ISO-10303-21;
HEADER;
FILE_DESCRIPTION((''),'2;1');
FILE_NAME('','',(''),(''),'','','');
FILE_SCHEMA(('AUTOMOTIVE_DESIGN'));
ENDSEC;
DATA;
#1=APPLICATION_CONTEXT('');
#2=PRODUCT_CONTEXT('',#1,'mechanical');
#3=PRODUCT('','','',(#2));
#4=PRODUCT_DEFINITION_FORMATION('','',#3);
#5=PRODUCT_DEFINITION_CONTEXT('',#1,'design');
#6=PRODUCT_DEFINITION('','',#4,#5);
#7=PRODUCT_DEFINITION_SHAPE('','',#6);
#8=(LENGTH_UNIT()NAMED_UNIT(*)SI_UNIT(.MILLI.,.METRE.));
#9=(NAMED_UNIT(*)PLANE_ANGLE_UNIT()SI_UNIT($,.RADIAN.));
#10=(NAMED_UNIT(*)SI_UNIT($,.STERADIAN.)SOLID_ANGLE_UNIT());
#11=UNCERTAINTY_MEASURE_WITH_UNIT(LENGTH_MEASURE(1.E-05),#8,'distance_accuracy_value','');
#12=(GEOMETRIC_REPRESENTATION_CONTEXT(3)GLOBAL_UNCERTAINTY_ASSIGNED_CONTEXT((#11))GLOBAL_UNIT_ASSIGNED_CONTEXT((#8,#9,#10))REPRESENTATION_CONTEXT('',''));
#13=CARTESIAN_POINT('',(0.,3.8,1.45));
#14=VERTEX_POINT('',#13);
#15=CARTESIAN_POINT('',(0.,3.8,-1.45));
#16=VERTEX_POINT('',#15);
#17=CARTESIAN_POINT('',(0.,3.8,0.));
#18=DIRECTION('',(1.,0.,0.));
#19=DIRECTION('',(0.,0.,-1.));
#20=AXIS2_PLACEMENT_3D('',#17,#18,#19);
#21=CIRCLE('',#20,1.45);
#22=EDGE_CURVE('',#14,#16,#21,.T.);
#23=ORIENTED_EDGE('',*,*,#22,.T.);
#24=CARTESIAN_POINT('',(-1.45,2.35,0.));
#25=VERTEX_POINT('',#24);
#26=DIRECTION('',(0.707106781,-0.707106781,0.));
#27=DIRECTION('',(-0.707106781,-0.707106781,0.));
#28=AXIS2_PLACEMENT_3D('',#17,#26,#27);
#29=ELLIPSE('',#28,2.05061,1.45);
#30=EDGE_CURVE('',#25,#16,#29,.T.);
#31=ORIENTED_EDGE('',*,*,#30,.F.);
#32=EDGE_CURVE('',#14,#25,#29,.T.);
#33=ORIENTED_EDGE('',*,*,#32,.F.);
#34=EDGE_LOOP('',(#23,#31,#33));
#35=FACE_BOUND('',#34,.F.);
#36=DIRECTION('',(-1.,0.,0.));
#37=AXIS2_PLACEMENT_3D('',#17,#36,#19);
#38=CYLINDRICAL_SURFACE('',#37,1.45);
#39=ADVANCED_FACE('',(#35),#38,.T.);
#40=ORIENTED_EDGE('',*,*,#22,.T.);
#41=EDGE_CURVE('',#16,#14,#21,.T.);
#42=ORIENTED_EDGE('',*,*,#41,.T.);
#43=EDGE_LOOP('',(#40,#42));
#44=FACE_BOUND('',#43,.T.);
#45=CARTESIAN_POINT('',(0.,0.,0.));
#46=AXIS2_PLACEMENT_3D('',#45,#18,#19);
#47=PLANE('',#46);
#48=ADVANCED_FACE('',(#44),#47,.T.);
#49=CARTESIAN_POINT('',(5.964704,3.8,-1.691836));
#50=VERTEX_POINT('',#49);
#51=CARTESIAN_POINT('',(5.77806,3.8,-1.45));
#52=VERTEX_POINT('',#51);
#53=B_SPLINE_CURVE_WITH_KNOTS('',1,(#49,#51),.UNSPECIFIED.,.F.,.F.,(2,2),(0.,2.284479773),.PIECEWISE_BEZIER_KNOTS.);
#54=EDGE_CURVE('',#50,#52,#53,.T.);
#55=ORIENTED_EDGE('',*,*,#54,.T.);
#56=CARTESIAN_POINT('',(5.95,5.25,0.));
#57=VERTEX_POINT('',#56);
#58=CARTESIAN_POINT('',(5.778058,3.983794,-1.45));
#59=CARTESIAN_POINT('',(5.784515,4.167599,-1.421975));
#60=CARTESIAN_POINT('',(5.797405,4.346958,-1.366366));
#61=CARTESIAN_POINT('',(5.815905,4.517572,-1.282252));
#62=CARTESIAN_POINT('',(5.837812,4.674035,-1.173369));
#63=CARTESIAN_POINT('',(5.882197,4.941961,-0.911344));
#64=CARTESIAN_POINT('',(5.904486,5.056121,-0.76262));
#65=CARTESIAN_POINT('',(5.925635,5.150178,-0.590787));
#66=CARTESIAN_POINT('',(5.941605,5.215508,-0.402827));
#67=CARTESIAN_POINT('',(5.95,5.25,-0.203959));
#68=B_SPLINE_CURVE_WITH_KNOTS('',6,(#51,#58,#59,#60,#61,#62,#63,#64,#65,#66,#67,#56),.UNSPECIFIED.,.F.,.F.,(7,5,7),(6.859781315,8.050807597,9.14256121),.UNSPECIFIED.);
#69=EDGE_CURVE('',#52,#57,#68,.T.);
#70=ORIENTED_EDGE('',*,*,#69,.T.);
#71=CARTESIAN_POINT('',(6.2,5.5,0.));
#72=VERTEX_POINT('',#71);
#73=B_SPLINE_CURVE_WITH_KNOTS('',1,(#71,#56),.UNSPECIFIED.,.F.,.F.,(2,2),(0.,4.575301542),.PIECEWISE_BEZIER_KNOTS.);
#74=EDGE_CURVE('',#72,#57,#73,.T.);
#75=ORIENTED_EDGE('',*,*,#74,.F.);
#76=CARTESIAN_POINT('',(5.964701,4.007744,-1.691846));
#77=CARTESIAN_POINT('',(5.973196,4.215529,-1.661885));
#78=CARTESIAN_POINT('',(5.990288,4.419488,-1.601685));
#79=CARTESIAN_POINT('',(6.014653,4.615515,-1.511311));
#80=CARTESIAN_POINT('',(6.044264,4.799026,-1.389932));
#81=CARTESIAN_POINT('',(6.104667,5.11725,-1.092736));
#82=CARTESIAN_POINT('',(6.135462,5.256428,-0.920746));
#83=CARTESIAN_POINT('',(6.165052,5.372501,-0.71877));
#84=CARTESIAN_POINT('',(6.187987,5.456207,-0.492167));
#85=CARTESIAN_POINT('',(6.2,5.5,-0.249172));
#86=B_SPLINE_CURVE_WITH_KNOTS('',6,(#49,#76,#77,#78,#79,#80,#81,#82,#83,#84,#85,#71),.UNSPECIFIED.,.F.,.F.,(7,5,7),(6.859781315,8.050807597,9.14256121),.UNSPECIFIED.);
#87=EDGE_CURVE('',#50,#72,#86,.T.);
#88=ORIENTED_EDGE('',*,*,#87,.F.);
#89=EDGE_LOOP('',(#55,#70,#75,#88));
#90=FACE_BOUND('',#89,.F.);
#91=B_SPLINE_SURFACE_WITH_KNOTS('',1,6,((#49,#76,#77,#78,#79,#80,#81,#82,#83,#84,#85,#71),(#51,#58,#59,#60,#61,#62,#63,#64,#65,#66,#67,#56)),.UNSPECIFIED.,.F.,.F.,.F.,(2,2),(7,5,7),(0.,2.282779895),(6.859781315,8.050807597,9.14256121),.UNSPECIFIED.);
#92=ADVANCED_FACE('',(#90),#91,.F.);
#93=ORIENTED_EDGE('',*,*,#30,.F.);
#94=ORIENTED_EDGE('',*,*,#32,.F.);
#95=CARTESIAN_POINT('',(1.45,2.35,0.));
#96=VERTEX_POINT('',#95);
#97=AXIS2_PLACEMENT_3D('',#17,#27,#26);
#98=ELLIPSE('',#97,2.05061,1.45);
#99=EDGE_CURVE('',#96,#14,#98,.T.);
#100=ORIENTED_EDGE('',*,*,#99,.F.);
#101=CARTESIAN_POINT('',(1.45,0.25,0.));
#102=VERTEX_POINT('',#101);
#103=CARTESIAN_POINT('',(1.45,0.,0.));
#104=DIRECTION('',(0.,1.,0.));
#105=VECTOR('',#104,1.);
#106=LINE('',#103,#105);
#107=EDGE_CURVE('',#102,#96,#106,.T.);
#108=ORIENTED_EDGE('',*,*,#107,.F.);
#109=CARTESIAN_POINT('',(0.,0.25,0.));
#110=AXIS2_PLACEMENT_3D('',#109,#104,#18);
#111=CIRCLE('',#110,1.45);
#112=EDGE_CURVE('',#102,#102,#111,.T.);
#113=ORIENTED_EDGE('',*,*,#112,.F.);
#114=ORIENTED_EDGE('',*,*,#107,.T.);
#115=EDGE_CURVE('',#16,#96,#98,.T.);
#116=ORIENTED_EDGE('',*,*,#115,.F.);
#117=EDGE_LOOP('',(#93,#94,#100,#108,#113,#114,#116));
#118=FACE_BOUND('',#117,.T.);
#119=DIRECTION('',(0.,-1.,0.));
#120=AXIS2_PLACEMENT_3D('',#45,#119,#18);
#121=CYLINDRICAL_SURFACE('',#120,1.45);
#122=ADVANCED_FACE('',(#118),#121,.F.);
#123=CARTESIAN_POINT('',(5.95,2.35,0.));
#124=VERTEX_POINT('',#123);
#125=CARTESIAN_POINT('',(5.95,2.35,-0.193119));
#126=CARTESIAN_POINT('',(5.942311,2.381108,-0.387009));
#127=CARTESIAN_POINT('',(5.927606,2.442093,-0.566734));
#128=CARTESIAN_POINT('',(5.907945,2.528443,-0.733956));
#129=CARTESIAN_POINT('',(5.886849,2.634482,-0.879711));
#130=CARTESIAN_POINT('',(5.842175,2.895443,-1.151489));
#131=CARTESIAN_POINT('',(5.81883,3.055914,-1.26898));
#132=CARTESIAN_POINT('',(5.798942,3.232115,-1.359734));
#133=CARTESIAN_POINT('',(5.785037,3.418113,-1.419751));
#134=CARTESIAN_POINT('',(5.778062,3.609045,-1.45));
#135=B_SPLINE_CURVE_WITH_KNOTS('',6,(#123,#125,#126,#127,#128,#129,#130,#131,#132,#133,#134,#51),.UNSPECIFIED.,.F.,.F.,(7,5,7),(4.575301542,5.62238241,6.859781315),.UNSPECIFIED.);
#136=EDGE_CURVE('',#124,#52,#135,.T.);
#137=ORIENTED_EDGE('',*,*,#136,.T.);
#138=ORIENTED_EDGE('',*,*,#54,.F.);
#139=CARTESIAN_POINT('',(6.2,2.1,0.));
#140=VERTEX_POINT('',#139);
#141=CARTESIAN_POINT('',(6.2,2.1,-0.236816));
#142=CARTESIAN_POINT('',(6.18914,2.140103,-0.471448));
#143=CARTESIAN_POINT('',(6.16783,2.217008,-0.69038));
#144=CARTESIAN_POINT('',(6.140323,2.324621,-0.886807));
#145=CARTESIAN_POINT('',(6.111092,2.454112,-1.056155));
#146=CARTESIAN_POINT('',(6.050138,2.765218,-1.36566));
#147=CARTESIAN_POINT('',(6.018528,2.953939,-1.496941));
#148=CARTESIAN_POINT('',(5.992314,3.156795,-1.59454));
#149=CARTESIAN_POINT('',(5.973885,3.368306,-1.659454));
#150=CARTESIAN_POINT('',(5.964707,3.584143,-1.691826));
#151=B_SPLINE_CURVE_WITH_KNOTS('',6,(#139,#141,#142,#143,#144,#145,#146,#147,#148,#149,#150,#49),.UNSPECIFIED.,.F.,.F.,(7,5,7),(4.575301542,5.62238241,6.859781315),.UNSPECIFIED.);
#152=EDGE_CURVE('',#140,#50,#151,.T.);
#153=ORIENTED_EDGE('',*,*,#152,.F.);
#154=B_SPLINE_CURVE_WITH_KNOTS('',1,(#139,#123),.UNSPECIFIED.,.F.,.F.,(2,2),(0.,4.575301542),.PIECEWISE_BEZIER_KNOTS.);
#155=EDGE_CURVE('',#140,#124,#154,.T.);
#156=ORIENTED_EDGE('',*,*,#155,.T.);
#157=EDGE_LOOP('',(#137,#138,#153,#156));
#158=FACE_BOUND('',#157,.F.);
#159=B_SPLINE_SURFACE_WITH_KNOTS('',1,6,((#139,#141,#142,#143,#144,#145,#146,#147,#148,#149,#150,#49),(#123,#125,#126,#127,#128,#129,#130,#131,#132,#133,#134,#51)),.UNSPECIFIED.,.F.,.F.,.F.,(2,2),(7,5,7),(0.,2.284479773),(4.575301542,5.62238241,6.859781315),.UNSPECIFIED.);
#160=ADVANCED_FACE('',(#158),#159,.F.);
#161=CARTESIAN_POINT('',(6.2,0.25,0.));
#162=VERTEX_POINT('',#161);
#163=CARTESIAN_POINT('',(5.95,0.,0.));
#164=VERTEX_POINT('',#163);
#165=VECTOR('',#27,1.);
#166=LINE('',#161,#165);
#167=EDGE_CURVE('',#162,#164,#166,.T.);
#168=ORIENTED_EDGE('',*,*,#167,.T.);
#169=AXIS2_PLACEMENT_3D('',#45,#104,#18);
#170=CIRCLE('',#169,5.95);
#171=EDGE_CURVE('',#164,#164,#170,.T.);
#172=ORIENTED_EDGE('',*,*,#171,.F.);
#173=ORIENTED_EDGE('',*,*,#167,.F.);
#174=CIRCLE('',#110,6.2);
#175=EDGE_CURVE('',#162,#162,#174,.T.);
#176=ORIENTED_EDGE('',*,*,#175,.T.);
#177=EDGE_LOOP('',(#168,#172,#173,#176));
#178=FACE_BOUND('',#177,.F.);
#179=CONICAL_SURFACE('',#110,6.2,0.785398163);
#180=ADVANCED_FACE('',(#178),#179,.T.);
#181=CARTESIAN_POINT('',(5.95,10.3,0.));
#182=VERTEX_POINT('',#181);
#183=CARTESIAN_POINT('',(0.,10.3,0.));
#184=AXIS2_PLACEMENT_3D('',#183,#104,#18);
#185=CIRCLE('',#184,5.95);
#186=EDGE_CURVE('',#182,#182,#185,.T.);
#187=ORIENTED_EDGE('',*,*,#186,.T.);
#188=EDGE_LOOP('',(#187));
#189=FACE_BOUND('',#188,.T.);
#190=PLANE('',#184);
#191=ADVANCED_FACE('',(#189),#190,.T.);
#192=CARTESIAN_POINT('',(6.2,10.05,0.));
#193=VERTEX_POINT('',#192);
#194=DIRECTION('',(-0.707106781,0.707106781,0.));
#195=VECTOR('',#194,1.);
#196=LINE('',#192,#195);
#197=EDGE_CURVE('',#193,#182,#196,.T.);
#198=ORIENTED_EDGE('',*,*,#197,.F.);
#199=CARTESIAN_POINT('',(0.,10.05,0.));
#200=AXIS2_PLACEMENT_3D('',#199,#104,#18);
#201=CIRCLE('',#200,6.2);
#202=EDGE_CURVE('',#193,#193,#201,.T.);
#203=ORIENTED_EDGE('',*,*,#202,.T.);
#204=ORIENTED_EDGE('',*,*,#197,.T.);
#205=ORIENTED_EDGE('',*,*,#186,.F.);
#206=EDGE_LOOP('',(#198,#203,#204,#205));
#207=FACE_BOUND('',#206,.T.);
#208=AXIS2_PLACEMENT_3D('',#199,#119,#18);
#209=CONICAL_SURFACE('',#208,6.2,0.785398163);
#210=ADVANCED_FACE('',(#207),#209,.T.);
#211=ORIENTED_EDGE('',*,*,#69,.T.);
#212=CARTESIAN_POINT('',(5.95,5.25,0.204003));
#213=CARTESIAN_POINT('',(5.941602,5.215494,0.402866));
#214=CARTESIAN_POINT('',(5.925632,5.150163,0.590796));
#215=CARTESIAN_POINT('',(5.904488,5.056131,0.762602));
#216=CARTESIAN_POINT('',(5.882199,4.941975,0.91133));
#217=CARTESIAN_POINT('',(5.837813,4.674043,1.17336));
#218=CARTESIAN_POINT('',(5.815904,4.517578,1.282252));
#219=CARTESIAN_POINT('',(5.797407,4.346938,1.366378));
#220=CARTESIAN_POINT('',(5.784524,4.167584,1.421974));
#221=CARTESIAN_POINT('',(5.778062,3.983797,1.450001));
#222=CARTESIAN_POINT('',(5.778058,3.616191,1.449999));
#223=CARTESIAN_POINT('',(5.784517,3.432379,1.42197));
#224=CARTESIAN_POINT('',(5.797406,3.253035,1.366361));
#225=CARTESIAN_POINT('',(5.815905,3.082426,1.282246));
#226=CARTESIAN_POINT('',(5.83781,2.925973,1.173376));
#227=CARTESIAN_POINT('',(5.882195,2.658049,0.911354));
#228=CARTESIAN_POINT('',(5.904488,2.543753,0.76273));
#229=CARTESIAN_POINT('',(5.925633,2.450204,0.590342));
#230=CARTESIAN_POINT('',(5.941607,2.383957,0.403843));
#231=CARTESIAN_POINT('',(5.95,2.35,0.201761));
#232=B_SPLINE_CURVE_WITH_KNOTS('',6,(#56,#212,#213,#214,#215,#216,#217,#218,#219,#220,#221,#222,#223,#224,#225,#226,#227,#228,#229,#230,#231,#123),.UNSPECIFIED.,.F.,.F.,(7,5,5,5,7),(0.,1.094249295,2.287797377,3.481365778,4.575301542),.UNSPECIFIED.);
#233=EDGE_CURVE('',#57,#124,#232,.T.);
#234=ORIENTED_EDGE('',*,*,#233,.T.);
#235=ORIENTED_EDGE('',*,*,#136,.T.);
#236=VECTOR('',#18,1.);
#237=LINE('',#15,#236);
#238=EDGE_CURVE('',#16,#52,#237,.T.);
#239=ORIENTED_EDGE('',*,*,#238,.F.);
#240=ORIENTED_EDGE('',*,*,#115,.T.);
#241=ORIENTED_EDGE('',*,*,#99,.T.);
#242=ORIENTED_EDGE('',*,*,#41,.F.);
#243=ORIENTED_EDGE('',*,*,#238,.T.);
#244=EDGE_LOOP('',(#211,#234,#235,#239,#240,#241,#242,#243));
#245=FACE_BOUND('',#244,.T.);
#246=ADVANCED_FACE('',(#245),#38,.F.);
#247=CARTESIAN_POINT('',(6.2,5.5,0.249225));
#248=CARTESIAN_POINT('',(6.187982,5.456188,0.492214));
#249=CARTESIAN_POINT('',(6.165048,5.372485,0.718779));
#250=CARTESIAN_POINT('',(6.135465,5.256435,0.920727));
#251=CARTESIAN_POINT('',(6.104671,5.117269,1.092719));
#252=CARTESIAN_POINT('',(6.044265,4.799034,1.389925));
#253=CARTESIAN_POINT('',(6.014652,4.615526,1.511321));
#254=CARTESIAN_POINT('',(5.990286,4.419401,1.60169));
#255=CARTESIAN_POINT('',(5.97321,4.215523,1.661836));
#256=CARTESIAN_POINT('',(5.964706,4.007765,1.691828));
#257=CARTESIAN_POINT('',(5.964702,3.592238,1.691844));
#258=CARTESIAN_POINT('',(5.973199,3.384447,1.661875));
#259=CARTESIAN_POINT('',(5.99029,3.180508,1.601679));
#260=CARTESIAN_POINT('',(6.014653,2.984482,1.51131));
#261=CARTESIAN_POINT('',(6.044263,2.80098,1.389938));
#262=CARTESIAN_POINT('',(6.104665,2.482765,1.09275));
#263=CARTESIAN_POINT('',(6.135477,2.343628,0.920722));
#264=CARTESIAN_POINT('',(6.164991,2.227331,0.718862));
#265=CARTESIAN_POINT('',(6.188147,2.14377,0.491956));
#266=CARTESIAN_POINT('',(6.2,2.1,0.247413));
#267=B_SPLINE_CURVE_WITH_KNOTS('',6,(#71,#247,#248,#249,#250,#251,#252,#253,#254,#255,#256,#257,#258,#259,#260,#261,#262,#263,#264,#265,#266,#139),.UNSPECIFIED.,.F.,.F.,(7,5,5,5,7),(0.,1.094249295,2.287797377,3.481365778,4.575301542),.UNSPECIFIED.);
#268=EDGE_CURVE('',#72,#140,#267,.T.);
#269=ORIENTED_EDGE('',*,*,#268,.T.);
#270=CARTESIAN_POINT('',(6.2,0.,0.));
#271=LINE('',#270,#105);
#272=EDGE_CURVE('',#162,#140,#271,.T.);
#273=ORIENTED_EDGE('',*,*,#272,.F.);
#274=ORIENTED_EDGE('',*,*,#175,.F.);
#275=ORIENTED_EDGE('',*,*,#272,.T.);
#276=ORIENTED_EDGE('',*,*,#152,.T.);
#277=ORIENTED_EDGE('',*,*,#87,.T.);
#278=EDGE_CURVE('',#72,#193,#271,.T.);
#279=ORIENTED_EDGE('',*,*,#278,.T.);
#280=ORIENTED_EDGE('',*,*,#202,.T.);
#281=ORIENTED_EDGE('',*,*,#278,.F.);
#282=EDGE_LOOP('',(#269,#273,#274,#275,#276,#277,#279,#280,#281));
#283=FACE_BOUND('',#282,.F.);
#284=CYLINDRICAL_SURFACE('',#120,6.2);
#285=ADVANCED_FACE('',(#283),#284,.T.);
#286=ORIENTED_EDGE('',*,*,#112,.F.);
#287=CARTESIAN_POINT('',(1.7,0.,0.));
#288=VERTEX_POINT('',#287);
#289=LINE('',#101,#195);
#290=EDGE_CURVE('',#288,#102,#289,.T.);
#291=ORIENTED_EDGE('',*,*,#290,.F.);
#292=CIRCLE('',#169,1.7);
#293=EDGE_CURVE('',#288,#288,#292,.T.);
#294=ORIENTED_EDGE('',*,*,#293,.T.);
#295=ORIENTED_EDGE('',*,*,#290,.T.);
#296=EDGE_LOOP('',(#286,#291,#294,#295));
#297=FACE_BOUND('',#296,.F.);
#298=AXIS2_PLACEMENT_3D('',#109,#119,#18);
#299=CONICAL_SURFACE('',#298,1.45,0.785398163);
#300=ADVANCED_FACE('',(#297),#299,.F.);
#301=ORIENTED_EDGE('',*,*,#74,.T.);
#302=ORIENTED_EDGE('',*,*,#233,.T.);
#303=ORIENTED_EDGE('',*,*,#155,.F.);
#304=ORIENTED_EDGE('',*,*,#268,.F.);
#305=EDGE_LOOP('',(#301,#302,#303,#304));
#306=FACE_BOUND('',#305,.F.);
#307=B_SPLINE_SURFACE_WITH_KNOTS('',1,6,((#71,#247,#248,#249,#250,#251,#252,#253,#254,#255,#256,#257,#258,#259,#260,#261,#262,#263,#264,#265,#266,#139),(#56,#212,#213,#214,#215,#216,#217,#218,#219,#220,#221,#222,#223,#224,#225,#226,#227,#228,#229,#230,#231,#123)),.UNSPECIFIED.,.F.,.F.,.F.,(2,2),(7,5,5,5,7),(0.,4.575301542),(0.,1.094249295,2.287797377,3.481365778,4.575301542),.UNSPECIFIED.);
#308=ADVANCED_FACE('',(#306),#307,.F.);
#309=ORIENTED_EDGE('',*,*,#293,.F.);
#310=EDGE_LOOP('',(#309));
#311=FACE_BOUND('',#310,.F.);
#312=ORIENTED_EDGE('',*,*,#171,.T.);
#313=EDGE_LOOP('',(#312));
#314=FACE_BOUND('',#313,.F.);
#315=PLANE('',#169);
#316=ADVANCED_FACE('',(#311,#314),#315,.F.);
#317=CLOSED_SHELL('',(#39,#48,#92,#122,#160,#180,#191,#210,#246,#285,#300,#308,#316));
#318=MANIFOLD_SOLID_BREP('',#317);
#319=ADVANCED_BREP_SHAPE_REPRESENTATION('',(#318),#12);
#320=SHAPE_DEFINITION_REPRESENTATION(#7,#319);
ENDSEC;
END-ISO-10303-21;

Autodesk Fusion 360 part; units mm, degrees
sketch "Sketch1" plane through (0, 0, 0) normal (0, 1, 0) x (1, 0, 0) in component "Oil Drop Cap"
  circle A0 centre (0, 0) radius 6.2
  circle A1 centre (0, 0) radius 1.45
  dimension "d5" = 12.4
  dimension "d6" = 2.9
sketch "Sketch2" plane through (0, 0, 0) normal (1, 0, 0) x (0, 0, -1) in component "Oil Drop Cap"
  line L0 (0, 0) -> (0, 3.8) construction
  circle A0 centre (0, 3.8) radius 1.45
  dimension "d7" = 3.8
  dimension "d8" = 2.9
extrude "Extrude1" add sketch "Sketch1" along normal blind 10.3 contours A0 | A1 in component "Oil Drop Cap"
extrude "Extrude2" cut sketch "Sketch2" along normal up to surface end surface at (6.1923, 6.8667, 0.309) in component "Oil Drop Cap"
extrude "Extrude3" cut sketch "Sketch1" along normal up to surface contours A1 end surface at (2.0667, 5.25, 0) in component "Oil Drop Cap"
chamfer "Chamfer1" distance 0.25 angle 45 2 faces at (1.6068, 10.3, -0.7965) (4.5882, 0, 0.3801) in component "Oil Drop Cap"
chamfer "Chamfer1" distance 0.25 angle 45 1 edges at (6.0281, 3.8, 1.45) in component "Oil Drop Cap"
component "Oil Drop Cap" placed x (1, 0, 0) y (0, 1, 0) z (0, 0, 1) at (0, 0, 0)
equation "CylinderDiameter = 12.4 mm"
equation "CylinderHeight = 10.3 mm"
equation "HoleDiameter = 2.9 mm"
equation "HoleHeight = 3.8 mm"
equation "d5 = CylinderDiameter"
equation "d6 = HoleDiameter"
equation "d7 = HoleHeight"
equation "d8 = HoleDiameter"
equation "d9 = CylinderHeight"
